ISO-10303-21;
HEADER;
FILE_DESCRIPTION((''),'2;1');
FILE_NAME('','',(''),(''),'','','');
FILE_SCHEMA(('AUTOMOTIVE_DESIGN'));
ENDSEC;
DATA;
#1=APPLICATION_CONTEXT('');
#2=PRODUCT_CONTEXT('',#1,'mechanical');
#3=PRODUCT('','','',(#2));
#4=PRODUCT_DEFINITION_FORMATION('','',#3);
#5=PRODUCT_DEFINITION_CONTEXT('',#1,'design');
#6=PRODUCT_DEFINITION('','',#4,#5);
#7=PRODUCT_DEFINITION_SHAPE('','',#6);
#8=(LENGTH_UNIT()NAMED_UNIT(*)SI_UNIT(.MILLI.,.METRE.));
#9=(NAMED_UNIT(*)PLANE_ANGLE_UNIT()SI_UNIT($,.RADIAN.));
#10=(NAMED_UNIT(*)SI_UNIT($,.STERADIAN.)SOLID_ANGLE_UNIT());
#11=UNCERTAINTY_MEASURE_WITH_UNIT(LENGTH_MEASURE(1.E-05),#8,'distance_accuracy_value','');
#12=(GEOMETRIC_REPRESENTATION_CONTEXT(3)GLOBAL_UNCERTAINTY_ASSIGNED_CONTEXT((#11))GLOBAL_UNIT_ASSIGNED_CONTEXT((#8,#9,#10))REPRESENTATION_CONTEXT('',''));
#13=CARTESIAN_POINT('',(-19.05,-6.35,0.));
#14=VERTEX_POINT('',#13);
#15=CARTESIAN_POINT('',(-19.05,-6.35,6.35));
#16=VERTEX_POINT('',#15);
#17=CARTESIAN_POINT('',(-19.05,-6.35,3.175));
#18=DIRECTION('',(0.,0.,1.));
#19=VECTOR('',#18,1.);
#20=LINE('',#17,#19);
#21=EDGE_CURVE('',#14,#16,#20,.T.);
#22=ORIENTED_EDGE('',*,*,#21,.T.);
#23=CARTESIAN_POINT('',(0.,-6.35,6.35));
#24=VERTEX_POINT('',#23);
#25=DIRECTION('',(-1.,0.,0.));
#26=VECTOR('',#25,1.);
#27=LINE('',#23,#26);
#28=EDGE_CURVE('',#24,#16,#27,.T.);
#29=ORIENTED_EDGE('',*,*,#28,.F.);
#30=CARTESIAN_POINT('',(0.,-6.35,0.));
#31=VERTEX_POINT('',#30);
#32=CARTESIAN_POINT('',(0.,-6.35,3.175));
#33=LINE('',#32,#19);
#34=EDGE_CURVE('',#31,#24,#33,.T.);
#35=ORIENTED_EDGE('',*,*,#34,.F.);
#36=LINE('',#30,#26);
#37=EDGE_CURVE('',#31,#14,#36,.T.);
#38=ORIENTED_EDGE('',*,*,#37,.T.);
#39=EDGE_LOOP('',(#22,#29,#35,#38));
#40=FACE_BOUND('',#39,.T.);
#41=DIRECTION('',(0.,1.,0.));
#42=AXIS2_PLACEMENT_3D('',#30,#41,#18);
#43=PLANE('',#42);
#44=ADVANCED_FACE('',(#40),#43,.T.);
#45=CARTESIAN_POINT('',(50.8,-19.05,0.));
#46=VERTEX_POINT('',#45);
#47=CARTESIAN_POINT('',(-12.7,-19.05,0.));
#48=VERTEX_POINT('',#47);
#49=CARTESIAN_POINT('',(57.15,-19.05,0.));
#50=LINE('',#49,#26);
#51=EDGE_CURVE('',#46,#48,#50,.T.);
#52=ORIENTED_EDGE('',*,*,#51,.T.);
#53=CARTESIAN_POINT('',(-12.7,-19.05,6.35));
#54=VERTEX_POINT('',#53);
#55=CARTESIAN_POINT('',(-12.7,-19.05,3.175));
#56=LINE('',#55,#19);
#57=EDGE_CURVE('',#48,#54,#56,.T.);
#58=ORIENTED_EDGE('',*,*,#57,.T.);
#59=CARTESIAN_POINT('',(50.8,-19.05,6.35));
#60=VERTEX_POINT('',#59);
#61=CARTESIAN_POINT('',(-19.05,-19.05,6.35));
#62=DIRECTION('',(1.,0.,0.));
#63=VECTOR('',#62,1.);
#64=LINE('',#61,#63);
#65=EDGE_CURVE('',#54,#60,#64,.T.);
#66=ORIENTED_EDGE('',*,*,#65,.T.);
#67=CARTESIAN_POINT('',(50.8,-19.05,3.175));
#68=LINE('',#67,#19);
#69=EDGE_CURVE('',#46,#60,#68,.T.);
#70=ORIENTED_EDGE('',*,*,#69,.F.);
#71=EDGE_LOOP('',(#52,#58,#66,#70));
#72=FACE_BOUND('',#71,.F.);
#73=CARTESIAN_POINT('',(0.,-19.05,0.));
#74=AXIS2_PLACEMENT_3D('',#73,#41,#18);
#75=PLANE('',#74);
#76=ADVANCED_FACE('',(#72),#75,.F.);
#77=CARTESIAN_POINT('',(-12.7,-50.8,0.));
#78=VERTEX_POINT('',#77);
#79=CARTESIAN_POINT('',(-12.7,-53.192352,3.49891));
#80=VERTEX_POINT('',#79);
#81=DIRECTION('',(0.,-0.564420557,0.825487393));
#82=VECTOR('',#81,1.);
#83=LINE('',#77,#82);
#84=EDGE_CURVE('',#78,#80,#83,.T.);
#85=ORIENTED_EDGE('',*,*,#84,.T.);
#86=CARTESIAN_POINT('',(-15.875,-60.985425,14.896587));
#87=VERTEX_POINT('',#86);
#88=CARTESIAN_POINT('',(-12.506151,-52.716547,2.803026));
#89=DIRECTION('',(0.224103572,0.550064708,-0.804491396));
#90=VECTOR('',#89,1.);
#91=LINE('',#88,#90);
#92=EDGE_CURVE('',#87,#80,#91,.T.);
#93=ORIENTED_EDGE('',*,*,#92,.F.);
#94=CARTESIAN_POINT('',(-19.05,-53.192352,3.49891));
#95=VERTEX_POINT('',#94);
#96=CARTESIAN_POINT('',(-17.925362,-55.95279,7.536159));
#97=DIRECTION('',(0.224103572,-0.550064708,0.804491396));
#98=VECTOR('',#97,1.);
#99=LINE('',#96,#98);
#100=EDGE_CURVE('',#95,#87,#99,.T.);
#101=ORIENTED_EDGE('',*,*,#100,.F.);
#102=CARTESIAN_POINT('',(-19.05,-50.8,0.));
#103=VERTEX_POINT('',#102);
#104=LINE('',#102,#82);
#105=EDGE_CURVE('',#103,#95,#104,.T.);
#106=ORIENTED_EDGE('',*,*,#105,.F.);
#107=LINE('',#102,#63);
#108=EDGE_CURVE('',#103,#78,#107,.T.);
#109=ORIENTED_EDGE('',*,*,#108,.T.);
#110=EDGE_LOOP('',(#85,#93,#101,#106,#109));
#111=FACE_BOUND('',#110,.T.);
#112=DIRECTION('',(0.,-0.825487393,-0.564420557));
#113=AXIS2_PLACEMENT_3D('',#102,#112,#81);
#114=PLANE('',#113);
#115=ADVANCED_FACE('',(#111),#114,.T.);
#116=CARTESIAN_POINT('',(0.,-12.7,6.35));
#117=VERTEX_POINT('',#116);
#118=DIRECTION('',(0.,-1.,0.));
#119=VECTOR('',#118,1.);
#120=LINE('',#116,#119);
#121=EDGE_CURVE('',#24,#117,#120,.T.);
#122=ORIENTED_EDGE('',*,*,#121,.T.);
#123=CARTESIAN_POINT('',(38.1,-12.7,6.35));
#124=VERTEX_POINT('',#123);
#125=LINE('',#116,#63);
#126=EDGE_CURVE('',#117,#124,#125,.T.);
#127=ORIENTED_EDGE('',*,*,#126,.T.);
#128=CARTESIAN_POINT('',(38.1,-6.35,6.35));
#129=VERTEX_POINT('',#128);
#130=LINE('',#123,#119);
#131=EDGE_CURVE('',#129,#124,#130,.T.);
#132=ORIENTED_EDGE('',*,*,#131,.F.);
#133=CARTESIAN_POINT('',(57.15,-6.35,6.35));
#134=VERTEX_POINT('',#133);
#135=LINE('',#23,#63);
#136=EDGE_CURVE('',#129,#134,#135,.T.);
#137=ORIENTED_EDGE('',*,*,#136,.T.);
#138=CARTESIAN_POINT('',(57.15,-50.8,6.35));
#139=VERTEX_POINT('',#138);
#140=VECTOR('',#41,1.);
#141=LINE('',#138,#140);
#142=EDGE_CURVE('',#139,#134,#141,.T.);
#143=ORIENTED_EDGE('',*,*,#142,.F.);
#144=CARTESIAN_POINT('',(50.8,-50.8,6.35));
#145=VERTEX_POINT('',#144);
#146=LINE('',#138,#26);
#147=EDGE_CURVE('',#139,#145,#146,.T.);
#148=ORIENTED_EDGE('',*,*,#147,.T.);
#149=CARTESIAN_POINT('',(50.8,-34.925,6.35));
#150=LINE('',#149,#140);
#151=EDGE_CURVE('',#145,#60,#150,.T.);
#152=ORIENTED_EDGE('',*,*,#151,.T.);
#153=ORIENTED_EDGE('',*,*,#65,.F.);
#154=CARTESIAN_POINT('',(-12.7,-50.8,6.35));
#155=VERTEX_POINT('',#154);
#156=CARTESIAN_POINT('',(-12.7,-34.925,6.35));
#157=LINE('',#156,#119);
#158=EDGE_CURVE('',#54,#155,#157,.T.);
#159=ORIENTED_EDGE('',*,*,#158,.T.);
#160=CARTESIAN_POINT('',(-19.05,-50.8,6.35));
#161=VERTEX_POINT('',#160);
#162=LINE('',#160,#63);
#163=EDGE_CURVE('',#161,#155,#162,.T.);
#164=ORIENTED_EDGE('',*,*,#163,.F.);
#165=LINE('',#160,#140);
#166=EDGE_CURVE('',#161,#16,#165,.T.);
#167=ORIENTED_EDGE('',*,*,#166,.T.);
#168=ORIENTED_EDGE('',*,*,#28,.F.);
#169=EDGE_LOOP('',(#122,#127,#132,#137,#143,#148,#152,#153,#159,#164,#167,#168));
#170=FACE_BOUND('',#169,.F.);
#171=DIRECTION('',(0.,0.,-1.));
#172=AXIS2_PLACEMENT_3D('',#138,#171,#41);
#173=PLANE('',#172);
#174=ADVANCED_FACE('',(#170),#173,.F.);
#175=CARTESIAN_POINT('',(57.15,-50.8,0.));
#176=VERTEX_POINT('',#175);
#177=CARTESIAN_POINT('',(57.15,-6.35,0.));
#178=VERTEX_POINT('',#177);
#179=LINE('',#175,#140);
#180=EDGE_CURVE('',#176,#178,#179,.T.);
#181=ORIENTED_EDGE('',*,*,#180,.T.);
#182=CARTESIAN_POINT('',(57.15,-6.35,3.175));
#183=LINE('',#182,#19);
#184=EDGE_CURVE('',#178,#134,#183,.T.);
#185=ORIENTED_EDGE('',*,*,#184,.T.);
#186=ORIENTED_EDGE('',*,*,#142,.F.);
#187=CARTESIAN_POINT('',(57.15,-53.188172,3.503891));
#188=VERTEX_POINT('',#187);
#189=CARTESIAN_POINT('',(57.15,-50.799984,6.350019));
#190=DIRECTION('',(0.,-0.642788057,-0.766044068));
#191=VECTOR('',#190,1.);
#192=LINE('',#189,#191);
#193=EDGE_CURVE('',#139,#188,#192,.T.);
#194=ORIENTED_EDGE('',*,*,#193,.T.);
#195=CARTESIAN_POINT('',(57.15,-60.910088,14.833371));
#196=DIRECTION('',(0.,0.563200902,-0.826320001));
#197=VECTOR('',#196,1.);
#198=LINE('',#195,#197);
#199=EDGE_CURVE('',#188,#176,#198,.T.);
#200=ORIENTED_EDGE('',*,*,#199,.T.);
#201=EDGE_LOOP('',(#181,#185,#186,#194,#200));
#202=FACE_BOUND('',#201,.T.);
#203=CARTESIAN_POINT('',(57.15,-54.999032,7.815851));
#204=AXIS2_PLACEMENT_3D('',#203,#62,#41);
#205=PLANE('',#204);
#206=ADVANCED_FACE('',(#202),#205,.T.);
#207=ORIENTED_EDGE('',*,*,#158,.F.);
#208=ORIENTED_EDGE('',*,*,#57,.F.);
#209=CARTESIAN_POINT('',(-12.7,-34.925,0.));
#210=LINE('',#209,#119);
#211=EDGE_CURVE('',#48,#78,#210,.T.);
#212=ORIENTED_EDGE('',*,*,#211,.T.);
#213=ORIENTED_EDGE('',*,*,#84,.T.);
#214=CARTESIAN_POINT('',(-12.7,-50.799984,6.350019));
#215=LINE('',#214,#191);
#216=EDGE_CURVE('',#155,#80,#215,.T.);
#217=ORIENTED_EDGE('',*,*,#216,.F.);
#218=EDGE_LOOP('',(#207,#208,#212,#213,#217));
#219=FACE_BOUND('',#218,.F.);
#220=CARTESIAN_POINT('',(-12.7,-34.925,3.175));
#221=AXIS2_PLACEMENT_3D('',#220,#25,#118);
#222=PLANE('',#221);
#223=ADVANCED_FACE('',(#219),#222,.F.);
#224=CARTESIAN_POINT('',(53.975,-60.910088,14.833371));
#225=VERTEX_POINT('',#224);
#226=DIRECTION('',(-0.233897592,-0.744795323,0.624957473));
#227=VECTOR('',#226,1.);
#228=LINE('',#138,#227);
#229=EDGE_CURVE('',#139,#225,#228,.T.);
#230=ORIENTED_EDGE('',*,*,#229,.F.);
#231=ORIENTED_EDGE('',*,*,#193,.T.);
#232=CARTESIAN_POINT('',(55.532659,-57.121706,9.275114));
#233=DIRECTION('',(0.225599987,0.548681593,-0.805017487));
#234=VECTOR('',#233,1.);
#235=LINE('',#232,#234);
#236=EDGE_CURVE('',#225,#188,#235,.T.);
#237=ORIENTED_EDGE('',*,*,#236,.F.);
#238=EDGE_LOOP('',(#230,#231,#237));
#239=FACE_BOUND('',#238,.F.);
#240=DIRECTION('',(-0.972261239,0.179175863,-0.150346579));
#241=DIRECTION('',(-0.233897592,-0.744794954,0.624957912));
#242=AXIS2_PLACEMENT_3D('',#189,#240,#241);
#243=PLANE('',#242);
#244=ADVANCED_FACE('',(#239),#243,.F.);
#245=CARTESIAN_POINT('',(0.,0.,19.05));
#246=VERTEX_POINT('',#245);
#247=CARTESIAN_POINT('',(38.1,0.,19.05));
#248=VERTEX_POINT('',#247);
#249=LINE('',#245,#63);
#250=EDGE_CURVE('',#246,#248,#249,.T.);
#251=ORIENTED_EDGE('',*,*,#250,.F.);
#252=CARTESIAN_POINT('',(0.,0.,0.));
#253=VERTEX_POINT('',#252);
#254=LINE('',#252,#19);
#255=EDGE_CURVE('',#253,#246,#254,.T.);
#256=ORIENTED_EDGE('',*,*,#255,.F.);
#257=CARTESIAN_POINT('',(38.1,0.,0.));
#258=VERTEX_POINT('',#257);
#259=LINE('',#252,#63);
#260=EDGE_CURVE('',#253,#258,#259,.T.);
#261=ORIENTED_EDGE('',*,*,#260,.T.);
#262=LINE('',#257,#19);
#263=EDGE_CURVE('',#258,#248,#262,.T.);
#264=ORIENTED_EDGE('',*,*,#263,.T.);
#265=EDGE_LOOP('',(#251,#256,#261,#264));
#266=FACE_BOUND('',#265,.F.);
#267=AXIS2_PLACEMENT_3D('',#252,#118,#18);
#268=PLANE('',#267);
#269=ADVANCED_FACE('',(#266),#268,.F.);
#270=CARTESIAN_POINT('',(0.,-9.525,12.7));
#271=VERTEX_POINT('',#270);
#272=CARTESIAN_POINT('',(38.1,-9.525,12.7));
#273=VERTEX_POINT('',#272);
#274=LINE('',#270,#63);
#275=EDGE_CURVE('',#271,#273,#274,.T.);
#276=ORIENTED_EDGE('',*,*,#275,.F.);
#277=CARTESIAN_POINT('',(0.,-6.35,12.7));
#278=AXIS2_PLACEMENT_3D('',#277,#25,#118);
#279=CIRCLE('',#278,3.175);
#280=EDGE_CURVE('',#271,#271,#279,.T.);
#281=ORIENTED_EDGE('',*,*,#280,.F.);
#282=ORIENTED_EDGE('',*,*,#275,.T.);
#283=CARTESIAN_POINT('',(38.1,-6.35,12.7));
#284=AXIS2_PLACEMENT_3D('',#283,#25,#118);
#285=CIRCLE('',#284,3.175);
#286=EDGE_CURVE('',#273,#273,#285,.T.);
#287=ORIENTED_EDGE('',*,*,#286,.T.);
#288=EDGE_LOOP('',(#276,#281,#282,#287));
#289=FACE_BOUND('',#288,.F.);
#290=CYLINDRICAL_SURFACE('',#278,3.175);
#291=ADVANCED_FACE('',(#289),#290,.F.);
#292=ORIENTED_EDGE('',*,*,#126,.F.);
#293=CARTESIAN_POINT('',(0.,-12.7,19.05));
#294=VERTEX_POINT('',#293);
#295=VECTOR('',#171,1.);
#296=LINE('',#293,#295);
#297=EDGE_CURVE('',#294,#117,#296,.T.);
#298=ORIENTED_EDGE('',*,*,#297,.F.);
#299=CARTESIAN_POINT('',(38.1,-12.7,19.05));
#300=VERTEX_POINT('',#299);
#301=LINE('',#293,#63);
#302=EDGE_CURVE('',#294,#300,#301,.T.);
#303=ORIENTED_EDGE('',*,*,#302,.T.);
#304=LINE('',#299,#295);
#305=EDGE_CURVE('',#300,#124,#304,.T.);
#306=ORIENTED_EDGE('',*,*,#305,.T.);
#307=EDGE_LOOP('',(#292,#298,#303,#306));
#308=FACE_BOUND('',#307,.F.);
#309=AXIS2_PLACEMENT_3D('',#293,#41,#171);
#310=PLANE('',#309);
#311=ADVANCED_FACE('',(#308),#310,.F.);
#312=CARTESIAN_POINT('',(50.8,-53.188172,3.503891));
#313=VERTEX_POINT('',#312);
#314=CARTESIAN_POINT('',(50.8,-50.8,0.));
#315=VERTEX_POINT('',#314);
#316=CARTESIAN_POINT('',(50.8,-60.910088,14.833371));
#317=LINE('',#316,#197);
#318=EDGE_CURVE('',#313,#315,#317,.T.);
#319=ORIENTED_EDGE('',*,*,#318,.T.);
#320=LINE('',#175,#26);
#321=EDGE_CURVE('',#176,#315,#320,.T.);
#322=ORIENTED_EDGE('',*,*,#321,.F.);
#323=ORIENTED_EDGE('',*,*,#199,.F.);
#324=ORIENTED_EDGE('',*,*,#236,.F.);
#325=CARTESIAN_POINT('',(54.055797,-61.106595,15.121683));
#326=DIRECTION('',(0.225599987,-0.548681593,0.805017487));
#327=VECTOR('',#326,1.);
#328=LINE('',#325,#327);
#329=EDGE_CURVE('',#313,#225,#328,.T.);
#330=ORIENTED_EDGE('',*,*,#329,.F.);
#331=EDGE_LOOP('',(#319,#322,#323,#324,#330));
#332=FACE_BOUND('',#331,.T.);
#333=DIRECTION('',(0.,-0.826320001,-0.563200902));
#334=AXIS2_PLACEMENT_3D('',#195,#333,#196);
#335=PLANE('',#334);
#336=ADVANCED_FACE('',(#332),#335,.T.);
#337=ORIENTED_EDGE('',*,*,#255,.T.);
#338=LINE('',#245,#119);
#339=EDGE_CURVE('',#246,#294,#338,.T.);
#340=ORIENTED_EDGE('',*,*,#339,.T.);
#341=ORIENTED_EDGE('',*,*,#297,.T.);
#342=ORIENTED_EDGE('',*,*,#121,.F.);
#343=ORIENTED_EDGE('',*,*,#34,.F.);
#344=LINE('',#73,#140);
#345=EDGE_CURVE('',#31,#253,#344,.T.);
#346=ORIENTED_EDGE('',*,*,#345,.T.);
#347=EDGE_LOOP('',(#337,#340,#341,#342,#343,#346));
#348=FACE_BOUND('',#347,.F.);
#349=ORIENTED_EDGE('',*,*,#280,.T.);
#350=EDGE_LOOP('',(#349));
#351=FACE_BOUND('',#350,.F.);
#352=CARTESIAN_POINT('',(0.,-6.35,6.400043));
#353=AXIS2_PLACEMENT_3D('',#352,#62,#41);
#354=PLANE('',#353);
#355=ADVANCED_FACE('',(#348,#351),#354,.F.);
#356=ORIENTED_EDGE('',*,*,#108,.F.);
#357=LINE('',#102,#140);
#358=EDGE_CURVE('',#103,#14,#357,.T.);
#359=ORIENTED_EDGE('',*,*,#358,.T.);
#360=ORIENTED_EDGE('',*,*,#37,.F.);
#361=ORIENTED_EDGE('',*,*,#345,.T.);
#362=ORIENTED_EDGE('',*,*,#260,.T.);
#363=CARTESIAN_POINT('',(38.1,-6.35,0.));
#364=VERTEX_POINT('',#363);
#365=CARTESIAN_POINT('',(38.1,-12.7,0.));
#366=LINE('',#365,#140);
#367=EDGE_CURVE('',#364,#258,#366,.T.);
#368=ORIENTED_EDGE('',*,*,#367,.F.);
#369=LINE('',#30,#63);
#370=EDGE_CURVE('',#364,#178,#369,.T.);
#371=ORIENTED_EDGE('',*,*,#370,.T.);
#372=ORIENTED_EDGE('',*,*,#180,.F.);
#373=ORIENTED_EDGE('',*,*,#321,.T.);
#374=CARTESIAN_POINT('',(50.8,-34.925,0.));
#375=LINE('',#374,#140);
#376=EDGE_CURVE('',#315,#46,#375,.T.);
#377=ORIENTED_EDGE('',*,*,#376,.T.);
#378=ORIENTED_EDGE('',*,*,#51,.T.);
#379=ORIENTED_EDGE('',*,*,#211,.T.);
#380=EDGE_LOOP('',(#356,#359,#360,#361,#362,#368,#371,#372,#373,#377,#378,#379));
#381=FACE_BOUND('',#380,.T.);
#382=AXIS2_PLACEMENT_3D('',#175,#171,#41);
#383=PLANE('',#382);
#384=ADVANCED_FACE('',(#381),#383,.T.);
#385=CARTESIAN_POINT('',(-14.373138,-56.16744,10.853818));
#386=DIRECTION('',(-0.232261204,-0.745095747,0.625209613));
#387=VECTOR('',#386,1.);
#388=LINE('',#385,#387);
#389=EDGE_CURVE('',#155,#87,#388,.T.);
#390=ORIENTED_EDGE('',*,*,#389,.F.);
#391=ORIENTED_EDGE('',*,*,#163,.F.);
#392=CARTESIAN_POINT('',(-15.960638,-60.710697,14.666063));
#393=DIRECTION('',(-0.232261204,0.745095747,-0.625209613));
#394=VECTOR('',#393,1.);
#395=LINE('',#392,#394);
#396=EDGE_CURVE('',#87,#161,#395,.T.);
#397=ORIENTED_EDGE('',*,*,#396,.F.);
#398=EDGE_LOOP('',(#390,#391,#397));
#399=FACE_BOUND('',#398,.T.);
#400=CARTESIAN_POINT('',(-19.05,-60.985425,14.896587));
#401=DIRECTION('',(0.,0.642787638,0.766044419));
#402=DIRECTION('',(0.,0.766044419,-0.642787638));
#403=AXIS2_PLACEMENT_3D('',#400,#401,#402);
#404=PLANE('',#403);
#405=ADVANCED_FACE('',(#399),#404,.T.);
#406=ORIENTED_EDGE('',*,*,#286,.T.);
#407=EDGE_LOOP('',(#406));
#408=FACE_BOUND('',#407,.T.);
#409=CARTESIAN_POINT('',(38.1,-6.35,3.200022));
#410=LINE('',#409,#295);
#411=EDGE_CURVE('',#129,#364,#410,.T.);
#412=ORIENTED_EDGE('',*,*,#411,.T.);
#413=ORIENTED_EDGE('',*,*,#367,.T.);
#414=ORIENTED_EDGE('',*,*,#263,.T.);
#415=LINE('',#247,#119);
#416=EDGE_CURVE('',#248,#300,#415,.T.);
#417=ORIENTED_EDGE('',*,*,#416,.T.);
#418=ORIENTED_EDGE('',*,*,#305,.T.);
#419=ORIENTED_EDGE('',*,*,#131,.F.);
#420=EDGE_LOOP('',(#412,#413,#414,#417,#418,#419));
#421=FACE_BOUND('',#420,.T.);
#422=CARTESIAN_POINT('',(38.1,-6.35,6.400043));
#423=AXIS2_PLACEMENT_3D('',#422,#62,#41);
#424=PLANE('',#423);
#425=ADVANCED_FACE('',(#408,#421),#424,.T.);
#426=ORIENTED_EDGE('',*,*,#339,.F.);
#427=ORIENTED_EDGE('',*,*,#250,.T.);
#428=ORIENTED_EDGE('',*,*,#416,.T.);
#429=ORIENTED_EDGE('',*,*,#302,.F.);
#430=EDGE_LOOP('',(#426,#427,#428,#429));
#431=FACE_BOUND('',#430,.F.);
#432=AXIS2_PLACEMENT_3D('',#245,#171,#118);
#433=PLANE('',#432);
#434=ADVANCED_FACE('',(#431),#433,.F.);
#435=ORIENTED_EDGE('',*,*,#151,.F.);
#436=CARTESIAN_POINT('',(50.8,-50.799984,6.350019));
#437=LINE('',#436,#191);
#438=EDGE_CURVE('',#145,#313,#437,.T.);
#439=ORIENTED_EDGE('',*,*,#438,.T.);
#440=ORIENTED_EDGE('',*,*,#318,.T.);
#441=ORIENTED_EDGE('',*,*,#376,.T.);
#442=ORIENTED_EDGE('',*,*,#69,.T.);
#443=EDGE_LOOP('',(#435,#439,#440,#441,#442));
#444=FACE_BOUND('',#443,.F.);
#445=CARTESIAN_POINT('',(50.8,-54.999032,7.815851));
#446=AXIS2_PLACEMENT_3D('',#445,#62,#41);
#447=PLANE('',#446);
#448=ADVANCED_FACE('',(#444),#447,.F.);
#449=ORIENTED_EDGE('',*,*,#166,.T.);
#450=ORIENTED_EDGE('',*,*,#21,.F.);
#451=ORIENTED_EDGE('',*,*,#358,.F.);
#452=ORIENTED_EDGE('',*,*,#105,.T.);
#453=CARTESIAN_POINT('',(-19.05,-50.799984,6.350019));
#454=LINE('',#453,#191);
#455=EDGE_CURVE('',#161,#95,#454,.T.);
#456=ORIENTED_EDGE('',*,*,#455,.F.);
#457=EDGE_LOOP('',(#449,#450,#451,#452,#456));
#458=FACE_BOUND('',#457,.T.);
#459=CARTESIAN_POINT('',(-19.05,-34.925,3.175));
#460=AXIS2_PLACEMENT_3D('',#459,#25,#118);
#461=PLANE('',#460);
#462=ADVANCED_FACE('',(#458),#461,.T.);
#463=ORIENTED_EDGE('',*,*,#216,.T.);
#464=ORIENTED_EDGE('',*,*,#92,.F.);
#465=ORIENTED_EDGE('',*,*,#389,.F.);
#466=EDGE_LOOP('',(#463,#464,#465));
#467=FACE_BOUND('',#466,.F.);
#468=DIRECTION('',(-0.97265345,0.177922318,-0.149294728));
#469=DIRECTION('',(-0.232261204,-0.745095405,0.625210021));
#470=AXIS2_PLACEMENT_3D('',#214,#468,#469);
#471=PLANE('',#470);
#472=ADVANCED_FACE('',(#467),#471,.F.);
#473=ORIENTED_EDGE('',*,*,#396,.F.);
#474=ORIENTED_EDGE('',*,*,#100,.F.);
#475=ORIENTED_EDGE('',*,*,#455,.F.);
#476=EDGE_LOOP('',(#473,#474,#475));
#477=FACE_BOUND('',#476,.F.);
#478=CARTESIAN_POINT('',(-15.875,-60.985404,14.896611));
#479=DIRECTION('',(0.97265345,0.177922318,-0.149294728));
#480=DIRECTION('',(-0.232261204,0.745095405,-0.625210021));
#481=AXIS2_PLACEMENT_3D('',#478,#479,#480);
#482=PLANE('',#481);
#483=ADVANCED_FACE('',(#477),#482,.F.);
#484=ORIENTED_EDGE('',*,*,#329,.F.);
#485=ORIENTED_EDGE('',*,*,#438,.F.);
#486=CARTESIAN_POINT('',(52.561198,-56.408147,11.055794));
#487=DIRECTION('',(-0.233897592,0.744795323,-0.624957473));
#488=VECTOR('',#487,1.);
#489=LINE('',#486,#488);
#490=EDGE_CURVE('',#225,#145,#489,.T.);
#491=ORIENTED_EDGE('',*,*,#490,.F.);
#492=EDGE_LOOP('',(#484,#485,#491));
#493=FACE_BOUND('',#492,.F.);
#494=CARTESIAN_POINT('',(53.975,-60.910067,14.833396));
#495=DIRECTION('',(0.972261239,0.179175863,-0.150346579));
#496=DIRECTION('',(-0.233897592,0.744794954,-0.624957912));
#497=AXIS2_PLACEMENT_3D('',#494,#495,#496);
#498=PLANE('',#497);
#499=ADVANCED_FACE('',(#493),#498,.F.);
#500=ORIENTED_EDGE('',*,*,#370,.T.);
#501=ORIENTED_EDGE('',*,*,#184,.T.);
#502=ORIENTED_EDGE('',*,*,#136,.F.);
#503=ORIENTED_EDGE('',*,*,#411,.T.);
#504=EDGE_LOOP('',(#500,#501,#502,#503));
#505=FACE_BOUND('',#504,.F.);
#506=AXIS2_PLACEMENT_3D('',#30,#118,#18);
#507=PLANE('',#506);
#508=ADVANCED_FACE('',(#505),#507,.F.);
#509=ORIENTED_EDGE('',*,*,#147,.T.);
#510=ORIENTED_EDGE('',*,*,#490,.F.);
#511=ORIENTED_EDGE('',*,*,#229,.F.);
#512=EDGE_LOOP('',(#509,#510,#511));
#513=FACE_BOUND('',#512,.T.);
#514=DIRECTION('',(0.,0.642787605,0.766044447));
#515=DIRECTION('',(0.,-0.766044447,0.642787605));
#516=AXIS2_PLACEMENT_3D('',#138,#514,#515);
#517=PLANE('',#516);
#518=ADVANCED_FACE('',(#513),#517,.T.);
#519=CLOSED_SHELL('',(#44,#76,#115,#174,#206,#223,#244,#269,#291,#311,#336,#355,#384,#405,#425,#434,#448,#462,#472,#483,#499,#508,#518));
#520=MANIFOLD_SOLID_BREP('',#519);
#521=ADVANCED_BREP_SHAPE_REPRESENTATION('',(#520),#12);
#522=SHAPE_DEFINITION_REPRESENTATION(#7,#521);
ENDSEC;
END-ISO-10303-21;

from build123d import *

# Parameters (mm, degrees)
F1_DEPTH  = 38.1
F2_W      = 6.35
F2_H      = 6.35
F3_DEPTH  = 57.15
F2_W_2    = 12.7
F4_DEPTH  = 19.05
F5_W      = 31.75
F5_H      = 6.35
F6_DEPTH  = 6.35
F7_W      = 31.75
F7_H      = 6.35
F8_DEPTH  = 6.35
F10_DEPTH = 25.4
F12_DEPTH = 25.4


with BuildPart() as f1:
    # F0 (on Right) → F1 (new body)
    with BuildSketch(Plane.YZ):
        with BuildLine():
            Line((-12.7, 0), (0, 0))
            Line((0, 0), (0, 12.7))
            Line((0, 12.7), (-3.175, 12.7))
            ThreePointArc((-3.175, 12.7), (-6.35, 9.525), (-9.525, 12.7))
            Line((-9.525, 12.7), (-12.7, 12.7))
            Line((-12.7, 12.7), (-12.7, 0))
        make_face()
        with BuildLine():
            Line((-3.175, 12.7), (0, 12.7))
            Line((0, 12.7), (0, 19.05))
            Line((0, 19.05), (-12.7, 19.05))
            Line((-12.7, 19.05), (-12.7, 12.7))
            Line((-12.7, 12.7), (-9.525, 12.7))
            ThreePointArc((-9.525, 12.7), (-6.35, 15.875), (-3.175, 12.7))
        make_face()
    extrude(amount=F1_DEPTH)

    # F2 (on face) → F3 (join)
    with BuildSketch(Plane(origin=(0, 0, 0), x_dir=(0, -1, 0), z_dir=(-1, 0, 0))):
        with Locations((9.525, 3.175)):
            Rectangle(F2_W, F2_H)
        with Locations((15.875, 3.175)):
            Rectangle(F2_W, F2_H)
    extrude(amount=-F3_DEPTH)

    # F2 (on face) → F4 (join)
    with BuildSketch(Plane(origin=(0, 0, 0), x_dir=(0, -1, 0), z_dir=(-1, 0, 0))):
        with Locations((12.7, 3.175)):
            Rectangle(F2_W_2, F2_H)
    extrude(amount=F4_DEPTH)

    # F5 (on face) → F6 (join)
    with BuildSketch(Plane(origin=(-19.05, 0, 0), x_dir=(0, -1, 0), z_dir=(-1, 0, 0))):
        with Locations((34.925, 3.175)):
            Rectangle(F5_W, F5_H)
        Polygon((60.985425, 14.896587), (50.8, 6.35), (50.8, 0), align=None)
    extrude(amount=-F6_DEPTH)

    # F7 (on face) → F8 (join)
    with BuildSketch(Plane.YZ.offset(57.15)):
        Polygon((-50.8, 0), (-50.8, 6.35), (-60.910088, 14.833371), align=None)
        with Locations((-34.925, 3.175)):
            Rectangle(F7_W, F7_H)
    extrude(amount=-F8_DEPTH)

    # F9 (on face) → F10 (cut)
    with BuildSketch(Plane(origin=(0, -17.862572, -21.287784), x_dir=(1, 0, 0), z_dir=(0, 0.642788, 0.766044))):
        Polygon((-15.875, -56.292887), (-19.05, -42.996759), (-19.05, -56.292887), align=None)
        Polygon((-12.7, -42.996759), (-15.875, -56.292887), (-12.7, -56.292887), align=None)
    extrude(amount=-F10_DEPTH, mode=Mode.SUBTRACT)

    # F11 (on face) → F12 (cut)
    with BuildSketch(Plane(origin=(0, -17.862572, -21.287784), x_dir=(1, 0, 0), z_dir=(0, 0.642788, 0.766044))):
        Polygon((57.15, -42.996759), (53.975, -56.194541), (57.15, -56.194541), align=None)
        Polygon((50.8, -56.194541), (53.975, -56.194541), (50.8, -42.996759), align=None)
    extrude(amount=-F12_DEPTH, mode=Mode.SUBTRACT)


solid = f1.part
